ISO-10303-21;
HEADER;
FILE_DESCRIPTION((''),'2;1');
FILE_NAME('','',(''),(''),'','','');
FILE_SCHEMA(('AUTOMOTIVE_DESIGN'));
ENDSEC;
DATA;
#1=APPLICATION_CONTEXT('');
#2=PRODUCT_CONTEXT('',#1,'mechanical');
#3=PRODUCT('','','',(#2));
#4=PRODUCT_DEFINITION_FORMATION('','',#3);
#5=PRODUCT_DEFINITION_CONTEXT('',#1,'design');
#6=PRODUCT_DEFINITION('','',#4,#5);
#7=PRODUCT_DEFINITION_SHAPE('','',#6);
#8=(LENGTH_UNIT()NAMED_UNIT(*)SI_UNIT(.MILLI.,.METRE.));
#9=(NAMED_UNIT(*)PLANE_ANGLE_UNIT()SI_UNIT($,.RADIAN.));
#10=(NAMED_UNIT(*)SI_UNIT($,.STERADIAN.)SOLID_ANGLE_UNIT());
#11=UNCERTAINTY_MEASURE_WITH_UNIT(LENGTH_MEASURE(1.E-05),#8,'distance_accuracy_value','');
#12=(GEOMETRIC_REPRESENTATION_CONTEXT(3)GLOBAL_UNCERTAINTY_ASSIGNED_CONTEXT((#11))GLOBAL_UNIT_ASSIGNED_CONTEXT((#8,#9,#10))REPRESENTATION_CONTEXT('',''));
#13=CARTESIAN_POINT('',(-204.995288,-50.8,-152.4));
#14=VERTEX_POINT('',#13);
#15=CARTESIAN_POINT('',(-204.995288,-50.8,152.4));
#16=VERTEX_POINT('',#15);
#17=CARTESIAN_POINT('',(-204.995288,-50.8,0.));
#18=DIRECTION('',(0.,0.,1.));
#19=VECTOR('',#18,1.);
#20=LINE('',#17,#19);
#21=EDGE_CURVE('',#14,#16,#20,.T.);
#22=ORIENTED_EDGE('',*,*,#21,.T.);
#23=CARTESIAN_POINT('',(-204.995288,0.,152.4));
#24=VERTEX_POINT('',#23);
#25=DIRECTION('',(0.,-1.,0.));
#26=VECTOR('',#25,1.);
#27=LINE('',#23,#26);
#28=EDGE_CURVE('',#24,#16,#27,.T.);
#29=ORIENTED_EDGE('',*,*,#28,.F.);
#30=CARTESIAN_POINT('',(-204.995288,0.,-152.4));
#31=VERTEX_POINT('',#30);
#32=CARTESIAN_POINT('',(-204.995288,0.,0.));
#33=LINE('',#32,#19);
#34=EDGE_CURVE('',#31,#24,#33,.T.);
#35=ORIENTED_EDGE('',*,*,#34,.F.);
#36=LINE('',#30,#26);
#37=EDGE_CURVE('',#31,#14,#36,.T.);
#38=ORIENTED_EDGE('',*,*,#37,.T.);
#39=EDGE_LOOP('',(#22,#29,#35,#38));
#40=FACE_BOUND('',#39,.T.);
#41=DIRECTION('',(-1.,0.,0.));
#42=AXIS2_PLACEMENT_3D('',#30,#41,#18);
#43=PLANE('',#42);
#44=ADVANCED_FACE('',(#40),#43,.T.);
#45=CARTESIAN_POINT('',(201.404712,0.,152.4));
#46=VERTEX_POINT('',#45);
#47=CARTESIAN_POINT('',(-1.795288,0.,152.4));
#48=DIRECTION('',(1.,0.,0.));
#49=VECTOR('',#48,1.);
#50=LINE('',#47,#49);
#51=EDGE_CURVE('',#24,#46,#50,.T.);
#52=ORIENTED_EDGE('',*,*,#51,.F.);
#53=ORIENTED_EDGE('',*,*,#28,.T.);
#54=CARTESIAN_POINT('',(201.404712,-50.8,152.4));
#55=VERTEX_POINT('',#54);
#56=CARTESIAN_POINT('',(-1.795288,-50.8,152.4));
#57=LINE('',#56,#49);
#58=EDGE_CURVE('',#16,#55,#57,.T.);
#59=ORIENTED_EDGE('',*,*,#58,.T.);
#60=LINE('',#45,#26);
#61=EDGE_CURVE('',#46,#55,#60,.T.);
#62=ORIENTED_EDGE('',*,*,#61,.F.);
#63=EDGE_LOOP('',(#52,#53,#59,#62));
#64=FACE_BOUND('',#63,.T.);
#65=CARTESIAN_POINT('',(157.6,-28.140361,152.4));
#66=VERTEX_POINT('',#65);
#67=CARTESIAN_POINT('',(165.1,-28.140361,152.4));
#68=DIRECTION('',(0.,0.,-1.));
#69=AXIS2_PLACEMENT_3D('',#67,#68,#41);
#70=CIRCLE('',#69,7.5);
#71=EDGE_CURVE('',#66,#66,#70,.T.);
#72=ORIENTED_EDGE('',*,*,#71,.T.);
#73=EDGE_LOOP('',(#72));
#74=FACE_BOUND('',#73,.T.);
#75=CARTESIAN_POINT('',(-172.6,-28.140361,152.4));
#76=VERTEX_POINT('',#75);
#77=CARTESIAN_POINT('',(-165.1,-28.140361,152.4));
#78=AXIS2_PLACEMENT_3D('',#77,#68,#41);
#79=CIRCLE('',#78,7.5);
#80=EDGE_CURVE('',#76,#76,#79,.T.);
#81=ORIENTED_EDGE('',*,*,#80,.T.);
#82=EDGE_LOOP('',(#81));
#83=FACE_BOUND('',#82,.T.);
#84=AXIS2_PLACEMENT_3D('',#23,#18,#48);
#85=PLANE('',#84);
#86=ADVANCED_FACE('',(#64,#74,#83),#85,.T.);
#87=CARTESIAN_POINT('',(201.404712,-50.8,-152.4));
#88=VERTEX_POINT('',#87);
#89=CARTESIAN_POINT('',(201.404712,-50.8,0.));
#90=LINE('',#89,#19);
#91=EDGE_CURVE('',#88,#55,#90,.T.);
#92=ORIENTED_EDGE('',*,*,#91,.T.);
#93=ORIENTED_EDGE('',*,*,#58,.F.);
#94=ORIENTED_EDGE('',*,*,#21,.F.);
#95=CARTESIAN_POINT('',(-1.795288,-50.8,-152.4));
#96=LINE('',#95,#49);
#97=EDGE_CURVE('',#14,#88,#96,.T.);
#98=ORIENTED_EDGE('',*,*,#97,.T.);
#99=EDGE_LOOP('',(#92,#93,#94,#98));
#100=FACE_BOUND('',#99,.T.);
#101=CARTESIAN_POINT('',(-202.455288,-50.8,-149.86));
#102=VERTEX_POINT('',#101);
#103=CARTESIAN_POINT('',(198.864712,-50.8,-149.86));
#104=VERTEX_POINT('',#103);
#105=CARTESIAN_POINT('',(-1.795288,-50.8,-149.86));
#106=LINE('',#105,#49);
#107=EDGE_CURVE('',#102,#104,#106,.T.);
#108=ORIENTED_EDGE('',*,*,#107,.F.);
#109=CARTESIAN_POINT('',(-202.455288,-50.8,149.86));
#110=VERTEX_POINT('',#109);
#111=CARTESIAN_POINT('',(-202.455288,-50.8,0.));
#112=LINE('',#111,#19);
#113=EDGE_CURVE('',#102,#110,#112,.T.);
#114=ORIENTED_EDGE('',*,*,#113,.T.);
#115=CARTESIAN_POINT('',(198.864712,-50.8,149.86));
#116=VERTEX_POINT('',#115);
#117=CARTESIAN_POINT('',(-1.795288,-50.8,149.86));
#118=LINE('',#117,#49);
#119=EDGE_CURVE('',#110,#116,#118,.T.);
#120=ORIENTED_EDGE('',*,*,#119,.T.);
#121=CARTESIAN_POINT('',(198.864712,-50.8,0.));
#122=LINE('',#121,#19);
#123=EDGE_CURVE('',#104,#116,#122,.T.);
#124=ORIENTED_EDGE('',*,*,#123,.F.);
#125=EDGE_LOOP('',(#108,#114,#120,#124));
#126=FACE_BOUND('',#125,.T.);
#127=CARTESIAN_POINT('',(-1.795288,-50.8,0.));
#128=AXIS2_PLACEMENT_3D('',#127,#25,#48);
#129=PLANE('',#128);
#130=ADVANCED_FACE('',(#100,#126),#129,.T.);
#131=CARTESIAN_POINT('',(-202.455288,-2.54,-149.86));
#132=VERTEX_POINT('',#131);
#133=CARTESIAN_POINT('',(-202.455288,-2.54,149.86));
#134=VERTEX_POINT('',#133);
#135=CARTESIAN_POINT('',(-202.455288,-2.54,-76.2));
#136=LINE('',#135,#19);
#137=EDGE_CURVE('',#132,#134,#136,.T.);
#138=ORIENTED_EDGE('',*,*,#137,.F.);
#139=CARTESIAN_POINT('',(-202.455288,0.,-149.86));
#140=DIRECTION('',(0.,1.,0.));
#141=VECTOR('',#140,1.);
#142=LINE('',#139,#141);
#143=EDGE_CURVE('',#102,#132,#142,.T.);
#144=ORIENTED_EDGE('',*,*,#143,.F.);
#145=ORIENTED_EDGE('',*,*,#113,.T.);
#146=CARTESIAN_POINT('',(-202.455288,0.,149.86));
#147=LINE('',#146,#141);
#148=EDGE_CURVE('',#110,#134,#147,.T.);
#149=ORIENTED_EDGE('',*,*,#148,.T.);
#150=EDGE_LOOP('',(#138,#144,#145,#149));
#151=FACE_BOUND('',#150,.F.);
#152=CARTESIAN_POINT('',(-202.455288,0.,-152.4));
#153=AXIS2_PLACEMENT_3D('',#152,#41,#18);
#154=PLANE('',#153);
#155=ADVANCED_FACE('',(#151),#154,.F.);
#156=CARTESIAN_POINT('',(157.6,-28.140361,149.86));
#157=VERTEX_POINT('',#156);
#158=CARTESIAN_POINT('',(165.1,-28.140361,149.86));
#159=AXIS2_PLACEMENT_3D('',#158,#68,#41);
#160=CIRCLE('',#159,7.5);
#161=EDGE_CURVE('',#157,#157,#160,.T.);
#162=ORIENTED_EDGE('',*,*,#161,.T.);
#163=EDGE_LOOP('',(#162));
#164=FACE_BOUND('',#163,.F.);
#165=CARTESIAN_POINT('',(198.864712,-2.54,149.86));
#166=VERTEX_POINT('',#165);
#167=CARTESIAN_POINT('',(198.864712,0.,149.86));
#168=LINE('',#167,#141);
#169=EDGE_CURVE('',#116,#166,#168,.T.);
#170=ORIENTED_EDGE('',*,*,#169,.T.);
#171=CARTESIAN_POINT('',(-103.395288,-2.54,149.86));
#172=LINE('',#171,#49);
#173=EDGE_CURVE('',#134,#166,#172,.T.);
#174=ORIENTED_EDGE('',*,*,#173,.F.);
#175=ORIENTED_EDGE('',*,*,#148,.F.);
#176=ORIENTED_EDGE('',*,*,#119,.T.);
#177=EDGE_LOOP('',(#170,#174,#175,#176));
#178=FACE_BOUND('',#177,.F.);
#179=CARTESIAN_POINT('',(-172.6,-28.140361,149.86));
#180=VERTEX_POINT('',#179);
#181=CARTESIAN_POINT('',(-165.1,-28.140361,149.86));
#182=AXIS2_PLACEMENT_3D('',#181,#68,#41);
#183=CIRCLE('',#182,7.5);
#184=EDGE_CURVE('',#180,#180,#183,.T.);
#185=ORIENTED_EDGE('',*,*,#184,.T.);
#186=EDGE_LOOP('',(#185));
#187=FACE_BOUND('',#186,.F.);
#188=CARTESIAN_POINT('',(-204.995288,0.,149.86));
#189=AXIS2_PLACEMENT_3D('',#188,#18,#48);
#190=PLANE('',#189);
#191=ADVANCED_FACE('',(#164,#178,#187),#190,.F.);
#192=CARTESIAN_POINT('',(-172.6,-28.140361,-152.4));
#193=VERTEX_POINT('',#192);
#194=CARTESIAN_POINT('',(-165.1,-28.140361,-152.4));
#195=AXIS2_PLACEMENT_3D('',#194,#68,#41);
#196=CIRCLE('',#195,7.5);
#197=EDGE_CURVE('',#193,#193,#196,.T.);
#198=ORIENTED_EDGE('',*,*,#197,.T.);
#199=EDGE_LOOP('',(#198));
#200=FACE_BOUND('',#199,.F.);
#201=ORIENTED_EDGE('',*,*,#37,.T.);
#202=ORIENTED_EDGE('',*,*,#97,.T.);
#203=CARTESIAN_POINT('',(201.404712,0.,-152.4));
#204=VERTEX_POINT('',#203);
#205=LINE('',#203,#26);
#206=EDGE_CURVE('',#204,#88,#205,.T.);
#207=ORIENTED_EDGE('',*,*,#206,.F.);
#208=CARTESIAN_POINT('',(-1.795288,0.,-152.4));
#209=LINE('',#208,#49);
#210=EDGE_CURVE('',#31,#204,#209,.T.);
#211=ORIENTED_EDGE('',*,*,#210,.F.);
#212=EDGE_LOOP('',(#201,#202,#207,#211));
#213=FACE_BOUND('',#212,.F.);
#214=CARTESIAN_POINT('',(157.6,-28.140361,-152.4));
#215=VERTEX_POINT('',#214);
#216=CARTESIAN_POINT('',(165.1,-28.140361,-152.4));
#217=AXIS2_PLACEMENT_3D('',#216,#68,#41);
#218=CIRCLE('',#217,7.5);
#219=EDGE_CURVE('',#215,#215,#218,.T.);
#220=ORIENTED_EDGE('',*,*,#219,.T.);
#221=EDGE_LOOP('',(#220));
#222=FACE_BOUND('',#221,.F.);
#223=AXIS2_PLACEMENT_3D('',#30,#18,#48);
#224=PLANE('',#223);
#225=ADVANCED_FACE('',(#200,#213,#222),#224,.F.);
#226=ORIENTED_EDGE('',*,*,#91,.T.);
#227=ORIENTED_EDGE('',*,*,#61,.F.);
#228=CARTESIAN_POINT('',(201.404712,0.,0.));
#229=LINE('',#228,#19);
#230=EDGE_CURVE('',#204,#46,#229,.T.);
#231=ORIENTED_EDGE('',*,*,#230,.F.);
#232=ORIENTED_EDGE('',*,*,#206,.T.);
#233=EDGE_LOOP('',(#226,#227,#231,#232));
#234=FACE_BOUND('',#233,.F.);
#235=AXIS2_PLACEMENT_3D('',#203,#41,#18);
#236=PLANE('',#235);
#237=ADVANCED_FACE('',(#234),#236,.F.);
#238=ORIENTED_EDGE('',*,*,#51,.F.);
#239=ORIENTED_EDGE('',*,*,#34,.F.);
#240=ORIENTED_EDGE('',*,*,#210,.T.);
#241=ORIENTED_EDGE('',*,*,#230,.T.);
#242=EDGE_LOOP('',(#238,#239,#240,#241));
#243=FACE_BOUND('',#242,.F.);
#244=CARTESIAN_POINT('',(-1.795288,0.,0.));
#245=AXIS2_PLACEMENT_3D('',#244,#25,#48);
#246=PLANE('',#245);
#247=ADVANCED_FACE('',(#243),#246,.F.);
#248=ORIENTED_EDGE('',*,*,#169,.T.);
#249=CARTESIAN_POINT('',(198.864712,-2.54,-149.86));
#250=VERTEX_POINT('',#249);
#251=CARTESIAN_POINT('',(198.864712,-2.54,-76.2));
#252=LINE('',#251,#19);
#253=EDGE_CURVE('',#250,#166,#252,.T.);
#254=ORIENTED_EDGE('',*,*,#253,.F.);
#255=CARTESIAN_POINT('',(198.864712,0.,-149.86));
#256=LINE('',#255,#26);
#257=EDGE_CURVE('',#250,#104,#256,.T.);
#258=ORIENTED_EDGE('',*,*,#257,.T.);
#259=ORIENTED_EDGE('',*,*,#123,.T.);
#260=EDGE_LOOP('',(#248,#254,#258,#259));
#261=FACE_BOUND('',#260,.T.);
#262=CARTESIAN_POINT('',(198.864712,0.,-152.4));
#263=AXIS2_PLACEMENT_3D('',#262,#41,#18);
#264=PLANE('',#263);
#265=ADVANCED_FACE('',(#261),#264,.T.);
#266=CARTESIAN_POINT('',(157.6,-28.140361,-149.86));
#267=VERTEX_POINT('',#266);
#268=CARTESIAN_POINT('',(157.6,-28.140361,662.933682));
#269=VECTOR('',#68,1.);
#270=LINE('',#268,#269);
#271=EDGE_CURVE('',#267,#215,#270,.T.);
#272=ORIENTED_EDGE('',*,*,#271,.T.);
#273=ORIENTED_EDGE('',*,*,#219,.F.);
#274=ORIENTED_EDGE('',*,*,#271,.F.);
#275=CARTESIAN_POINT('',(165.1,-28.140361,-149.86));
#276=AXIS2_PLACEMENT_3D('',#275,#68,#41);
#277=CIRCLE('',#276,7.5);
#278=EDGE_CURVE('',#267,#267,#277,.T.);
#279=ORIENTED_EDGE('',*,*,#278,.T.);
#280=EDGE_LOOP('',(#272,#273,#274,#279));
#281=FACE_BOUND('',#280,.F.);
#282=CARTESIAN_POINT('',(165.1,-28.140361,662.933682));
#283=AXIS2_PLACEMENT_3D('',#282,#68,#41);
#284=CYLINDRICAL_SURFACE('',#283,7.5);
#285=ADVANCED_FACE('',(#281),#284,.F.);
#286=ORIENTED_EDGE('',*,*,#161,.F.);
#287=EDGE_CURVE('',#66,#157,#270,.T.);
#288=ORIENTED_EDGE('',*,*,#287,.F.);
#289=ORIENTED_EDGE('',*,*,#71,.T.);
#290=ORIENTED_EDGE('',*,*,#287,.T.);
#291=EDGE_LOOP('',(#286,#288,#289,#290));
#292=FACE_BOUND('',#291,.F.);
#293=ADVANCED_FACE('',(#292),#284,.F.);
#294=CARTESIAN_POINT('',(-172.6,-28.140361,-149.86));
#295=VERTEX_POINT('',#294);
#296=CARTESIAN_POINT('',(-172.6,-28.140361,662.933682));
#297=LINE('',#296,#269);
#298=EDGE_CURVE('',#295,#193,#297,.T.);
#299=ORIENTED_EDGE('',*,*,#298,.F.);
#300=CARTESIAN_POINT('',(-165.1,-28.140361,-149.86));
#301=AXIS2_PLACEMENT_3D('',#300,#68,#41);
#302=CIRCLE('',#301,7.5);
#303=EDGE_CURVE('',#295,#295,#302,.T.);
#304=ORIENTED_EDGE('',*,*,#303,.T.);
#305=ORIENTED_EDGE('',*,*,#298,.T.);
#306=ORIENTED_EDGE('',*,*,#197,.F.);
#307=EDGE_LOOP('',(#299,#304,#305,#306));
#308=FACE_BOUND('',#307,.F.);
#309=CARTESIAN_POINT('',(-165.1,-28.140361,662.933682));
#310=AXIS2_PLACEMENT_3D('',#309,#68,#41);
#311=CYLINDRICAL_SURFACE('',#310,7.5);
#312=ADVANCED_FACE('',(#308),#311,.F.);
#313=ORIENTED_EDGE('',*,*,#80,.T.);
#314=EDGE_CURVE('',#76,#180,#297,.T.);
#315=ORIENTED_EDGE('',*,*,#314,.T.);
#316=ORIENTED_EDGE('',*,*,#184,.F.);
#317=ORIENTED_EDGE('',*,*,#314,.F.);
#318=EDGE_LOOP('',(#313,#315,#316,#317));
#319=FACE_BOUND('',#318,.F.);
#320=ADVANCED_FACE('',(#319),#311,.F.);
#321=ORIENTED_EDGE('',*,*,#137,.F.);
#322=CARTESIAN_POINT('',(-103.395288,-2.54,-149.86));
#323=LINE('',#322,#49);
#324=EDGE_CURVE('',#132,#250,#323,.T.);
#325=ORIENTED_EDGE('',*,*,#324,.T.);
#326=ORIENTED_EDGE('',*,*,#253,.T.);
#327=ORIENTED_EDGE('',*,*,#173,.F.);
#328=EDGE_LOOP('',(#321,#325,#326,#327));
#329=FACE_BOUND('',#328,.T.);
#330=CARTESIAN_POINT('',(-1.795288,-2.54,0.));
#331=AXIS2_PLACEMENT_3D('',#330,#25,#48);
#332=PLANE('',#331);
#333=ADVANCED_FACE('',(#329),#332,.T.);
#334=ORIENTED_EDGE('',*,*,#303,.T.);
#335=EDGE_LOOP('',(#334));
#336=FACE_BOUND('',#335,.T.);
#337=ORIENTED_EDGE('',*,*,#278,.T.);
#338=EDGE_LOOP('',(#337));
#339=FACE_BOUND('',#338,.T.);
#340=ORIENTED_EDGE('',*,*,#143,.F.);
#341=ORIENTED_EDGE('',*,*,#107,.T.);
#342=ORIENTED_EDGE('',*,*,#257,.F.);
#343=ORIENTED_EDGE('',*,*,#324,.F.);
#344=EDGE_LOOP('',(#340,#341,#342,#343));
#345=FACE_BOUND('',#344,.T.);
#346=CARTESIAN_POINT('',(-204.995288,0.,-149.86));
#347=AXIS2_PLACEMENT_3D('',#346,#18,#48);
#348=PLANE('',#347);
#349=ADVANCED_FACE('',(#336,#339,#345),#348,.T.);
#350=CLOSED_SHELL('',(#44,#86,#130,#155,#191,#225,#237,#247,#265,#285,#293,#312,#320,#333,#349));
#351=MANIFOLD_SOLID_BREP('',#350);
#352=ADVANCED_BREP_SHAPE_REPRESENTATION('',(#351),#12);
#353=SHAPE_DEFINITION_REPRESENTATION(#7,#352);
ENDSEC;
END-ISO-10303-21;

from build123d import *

# Parameters (mm, degrees)
F0_W     = 406.4
F0_H     = 304.8
F1_DEPTH = 50.8
F2_T     = -2.54
F5_D     = 15


with BuildPart() as f1:
    # F0 (on Front) → F1 (new body)
    with BuildSketch(Plane.XZ):
        with Locations((-1.795288, 0)):
            Rectangle(F0_W, F0_H)
    extrude(amount=F1_DEPTH)

    # F2
    f2_openings = [f1.faces().sort_by_distance(p)[0] for p in [
        (-1.795288, -50.8, 0),
    ]]
    offset(amount=F2_T, openings=f2_openings)

    # F5 (through all)
    with Locations(Plane.XY.offset(152.4)):
        with Locations((-165.1, -28.140361), (165.1, -28.140361)):
            Hole(F5_D / 2)


solid = f1.part
